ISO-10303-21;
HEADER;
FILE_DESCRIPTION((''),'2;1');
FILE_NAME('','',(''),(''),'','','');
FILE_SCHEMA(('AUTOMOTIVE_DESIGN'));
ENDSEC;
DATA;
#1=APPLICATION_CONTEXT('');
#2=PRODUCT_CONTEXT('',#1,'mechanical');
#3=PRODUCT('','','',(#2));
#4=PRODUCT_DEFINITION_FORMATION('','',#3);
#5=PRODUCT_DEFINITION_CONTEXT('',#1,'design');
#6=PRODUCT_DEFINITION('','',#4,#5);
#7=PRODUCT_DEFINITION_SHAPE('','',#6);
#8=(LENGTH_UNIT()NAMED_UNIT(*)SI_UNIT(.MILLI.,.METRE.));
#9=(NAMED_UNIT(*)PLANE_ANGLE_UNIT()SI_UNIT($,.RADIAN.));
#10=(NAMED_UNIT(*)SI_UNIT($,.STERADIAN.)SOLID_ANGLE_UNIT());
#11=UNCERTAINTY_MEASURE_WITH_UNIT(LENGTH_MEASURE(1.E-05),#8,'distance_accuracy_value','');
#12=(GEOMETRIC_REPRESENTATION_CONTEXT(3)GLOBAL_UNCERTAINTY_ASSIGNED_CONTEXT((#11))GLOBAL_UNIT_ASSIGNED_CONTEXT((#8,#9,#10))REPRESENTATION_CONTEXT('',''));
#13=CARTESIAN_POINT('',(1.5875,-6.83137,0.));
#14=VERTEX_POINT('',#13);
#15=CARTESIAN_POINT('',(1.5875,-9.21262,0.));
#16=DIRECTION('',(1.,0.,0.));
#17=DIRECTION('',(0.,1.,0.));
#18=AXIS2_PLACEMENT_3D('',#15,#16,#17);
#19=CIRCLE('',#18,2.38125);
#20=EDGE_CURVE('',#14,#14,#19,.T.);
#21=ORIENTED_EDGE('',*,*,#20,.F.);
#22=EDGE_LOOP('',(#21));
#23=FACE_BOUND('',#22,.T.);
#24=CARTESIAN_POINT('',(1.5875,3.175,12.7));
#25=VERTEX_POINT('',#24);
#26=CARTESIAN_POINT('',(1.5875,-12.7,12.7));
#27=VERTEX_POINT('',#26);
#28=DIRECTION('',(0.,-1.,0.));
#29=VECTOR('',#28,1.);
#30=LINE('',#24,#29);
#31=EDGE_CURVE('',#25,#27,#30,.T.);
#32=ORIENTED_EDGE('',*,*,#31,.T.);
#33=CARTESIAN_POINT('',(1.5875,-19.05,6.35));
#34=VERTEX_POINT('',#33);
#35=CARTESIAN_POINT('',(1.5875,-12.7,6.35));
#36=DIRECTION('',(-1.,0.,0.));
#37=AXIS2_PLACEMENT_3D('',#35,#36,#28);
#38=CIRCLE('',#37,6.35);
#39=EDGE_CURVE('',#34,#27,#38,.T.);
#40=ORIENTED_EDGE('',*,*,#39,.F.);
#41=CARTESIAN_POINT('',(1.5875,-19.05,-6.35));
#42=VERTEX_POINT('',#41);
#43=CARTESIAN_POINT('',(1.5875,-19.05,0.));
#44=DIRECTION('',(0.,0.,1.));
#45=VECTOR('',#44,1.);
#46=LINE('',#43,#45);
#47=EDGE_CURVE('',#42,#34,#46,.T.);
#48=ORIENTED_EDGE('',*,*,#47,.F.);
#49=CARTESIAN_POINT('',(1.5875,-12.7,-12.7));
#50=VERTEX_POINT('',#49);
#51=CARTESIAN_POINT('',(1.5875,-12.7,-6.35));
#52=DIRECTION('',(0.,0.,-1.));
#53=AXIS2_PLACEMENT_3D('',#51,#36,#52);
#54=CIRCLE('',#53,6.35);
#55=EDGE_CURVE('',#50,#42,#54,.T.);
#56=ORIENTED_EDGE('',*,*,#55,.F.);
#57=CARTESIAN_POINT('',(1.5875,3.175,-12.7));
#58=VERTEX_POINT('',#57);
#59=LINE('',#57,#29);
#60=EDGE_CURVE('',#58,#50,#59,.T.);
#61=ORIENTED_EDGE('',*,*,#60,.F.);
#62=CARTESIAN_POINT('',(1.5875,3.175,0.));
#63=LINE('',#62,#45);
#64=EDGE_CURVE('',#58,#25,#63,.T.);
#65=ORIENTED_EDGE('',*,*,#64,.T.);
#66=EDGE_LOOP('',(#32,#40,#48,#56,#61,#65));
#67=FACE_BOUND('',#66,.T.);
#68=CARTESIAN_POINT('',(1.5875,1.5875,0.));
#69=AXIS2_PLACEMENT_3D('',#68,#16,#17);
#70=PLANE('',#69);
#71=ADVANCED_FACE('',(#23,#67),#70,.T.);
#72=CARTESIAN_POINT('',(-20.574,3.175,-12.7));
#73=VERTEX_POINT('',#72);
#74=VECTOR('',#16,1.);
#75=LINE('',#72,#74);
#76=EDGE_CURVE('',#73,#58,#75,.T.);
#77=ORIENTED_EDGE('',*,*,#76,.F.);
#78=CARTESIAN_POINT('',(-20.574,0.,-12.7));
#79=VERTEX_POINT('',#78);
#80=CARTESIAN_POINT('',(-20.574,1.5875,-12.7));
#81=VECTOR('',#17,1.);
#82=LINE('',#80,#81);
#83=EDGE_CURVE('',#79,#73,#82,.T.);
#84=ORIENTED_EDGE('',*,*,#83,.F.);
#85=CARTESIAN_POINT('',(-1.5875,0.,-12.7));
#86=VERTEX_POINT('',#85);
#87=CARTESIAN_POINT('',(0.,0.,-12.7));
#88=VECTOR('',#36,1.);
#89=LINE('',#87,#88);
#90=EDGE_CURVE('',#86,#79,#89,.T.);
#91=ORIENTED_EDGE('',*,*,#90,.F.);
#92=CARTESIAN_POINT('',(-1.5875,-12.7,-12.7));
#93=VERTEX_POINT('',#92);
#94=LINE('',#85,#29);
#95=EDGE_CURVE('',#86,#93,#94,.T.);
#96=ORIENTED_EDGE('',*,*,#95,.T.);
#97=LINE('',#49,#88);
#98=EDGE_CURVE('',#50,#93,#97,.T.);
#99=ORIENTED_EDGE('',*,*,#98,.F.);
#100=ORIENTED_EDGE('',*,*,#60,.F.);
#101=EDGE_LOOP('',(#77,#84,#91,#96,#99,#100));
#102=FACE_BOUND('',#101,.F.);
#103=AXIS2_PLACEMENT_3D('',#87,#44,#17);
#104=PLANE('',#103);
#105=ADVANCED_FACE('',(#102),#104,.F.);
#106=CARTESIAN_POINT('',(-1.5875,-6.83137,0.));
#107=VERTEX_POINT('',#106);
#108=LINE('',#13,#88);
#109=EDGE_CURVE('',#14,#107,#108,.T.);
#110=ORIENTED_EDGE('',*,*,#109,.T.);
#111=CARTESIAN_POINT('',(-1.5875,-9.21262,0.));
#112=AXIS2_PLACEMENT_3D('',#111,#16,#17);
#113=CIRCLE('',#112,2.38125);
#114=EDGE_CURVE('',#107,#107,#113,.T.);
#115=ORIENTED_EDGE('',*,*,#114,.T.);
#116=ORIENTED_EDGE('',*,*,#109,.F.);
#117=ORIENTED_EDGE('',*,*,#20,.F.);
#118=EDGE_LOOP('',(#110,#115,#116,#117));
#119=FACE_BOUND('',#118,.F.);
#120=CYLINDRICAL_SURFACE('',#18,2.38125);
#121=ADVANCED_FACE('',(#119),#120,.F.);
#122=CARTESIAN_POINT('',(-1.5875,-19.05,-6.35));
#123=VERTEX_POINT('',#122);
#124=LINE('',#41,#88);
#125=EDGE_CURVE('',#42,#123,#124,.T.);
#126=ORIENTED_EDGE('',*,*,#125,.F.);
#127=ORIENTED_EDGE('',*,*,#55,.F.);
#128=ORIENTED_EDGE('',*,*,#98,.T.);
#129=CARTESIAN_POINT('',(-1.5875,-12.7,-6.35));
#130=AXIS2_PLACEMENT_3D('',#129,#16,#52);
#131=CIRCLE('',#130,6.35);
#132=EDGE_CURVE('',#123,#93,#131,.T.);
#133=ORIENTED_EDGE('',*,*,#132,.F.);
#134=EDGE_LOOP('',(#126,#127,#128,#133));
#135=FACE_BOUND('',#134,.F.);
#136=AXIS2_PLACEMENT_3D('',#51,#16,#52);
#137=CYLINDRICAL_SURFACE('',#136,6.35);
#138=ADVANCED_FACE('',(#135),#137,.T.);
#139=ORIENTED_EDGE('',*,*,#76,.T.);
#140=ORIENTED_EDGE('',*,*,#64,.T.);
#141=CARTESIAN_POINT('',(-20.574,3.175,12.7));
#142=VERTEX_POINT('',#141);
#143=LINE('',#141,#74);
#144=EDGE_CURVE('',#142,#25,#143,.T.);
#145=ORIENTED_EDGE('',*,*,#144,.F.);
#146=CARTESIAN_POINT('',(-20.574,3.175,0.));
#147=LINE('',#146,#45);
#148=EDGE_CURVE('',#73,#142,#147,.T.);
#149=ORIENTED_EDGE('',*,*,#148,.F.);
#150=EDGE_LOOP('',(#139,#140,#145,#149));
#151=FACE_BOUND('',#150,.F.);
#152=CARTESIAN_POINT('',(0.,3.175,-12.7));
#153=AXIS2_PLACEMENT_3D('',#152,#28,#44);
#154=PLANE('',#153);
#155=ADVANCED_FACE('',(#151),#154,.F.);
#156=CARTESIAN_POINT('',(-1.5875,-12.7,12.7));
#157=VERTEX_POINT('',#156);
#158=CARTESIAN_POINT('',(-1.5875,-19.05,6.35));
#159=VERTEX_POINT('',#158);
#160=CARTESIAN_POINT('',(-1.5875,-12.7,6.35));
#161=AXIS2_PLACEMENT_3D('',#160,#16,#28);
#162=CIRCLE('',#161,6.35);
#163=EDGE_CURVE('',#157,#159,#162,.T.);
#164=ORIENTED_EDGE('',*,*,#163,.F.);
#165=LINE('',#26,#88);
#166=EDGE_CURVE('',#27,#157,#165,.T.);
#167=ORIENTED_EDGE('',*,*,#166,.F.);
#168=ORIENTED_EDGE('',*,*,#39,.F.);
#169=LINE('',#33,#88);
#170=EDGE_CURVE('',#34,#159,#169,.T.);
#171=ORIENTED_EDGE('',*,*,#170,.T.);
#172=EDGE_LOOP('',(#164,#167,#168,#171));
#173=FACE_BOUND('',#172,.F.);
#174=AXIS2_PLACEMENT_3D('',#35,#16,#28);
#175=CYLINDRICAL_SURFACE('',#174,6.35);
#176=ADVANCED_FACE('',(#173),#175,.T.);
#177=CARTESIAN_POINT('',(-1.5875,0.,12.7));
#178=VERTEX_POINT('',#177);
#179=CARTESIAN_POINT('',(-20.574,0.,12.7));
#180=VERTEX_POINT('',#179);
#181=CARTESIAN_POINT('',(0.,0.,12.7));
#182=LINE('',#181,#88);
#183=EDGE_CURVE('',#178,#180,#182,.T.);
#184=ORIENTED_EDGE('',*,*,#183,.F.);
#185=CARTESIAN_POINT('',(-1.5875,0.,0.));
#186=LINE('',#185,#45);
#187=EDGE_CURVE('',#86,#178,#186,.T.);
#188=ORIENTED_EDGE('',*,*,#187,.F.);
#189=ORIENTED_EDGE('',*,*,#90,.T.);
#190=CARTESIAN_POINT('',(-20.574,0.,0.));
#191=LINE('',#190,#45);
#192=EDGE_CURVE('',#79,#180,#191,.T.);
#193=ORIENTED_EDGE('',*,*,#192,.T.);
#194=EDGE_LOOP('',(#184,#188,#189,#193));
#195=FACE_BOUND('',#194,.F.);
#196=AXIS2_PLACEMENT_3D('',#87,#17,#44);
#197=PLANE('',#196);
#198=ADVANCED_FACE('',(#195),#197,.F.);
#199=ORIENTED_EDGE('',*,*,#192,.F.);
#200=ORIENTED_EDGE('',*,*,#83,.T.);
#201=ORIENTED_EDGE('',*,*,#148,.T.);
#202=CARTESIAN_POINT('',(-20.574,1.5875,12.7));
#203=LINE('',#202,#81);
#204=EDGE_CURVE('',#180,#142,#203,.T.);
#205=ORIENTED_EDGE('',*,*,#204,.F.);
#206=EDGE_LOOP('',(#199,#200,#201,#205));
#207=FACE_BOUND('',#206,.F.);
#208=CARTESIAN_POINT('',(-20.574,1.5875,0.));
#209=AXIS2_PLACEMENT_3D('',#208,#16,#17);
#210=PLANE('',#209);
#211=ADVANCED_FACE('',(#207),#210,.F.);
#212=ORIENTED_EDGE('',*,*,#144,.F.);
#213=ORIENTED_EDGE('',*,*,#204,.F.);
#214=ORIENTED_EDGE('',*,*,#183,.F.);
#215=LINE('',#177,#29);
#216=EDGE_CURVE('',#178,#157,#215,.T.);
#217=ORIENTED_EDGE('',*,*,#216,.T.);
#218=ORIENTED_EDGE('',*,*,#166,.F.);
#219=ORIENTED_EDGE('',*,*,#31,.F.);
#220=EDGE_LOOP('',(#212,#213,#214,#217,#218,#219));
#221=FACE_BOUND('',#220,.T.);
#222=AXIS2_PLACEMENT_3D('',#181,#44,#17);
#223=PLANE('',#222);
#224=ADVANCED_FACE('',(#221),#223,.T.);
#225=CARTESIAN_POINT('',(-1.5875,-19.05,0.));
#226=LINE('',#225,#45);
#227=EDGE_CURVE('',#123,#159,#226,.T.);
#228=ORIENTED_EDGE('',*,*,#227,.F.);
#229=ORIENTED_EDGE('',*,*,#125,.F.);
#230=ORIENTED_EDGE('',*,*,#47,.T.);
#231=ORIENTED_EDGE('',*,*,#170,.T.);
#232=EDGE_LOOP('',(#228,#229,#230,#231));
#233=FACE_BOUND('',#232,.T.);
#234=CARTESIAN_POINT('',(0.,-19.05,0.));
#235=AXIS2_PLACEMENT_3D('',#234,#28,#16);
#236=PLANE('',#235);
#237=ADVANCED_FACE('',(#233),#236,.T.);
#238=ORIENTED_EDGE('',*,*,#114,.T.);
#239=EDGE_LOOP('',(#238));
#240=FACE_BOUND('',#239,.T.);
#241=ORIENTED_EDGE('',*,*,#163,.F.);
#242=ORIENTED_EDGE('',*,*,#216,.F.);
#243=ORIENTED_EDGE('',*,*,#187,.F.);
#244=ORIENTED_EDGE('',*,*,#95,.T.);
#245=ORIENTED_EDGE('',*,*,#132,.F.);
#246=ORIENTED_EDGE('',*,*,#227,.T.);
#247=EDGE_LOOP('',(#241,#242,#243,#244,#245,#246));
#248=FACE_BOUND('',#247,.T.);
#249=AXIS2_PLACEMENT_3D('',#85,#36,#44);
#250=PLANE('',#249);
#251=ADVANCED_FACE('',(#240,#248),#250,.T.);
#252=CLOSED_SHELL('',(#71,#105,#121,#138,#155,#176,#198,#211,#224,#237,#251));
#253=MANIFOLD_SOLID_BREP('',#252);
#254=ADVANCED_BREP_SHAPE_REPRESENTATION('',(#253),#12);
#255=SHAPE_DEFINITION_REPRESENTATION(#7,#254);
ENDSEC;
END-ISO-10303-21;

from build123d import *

# Parameters (mm, degrees)
F0_W          = 3.175
F0_H          = 25.4
F1_DEPTH      = 19.05
F2_R          = 2.38125
F3_DEPTH      = 25.4
F4_W          = 3.175
F4_H          = 25.4
F5_DEPTH      = 20.574
F5_DEPTH_BACK = 1.5875


with BuildPart() as f1:
    # F0 (on Front) → F1 (new body)
    with BuildSketch(Plane.XZ):
        Rectangle(F0_W, F0_H)
    extrude(amount=F1_DEPTH)

    # F2 (on face) → F3 (cut)
    with BuildSketch(Plane.YZ.offset(1.5875)):
        with BuildLine():
            ThreePointArc((-19.05, 6.35), (-17.1901280605, 10.8401280605), (-12.7, 12.7))
            Line((-12.7, 12.7), (-19.05, 12.7))
            Line((-19.05, 12.7), (-19.05, 6.35))
        make_face()
        with BuildLine():
            ThreePointArc((-12.7, -12.7), (-17.1901280605, -10.8401280605), (-19.05, -6.35))
            Line((-19.05, -6.35), (-19.05, -12.7))
            Line((-19.05, -12.7), (-12.7, -12.7))
        make_face()
        with Locations((-9.212619625, 0)):
            Circle(F2_R)
    extrude(amount=-F3_DEPTH, mode=Mode.SUBTRACT)

    # F4 (on Right) → F5 (join, two sides)
    with BuildSketch(Plane.YZ) as f5_sk:
        with Locations((1.5875, 0)):
            Rectangle(F4_W, F4_H)
    extrude(amount=-F5_DEPTH)
    extrude(f5_sk.sketch, amount=F5_DEPTH_BACK)


solid = f1.part
